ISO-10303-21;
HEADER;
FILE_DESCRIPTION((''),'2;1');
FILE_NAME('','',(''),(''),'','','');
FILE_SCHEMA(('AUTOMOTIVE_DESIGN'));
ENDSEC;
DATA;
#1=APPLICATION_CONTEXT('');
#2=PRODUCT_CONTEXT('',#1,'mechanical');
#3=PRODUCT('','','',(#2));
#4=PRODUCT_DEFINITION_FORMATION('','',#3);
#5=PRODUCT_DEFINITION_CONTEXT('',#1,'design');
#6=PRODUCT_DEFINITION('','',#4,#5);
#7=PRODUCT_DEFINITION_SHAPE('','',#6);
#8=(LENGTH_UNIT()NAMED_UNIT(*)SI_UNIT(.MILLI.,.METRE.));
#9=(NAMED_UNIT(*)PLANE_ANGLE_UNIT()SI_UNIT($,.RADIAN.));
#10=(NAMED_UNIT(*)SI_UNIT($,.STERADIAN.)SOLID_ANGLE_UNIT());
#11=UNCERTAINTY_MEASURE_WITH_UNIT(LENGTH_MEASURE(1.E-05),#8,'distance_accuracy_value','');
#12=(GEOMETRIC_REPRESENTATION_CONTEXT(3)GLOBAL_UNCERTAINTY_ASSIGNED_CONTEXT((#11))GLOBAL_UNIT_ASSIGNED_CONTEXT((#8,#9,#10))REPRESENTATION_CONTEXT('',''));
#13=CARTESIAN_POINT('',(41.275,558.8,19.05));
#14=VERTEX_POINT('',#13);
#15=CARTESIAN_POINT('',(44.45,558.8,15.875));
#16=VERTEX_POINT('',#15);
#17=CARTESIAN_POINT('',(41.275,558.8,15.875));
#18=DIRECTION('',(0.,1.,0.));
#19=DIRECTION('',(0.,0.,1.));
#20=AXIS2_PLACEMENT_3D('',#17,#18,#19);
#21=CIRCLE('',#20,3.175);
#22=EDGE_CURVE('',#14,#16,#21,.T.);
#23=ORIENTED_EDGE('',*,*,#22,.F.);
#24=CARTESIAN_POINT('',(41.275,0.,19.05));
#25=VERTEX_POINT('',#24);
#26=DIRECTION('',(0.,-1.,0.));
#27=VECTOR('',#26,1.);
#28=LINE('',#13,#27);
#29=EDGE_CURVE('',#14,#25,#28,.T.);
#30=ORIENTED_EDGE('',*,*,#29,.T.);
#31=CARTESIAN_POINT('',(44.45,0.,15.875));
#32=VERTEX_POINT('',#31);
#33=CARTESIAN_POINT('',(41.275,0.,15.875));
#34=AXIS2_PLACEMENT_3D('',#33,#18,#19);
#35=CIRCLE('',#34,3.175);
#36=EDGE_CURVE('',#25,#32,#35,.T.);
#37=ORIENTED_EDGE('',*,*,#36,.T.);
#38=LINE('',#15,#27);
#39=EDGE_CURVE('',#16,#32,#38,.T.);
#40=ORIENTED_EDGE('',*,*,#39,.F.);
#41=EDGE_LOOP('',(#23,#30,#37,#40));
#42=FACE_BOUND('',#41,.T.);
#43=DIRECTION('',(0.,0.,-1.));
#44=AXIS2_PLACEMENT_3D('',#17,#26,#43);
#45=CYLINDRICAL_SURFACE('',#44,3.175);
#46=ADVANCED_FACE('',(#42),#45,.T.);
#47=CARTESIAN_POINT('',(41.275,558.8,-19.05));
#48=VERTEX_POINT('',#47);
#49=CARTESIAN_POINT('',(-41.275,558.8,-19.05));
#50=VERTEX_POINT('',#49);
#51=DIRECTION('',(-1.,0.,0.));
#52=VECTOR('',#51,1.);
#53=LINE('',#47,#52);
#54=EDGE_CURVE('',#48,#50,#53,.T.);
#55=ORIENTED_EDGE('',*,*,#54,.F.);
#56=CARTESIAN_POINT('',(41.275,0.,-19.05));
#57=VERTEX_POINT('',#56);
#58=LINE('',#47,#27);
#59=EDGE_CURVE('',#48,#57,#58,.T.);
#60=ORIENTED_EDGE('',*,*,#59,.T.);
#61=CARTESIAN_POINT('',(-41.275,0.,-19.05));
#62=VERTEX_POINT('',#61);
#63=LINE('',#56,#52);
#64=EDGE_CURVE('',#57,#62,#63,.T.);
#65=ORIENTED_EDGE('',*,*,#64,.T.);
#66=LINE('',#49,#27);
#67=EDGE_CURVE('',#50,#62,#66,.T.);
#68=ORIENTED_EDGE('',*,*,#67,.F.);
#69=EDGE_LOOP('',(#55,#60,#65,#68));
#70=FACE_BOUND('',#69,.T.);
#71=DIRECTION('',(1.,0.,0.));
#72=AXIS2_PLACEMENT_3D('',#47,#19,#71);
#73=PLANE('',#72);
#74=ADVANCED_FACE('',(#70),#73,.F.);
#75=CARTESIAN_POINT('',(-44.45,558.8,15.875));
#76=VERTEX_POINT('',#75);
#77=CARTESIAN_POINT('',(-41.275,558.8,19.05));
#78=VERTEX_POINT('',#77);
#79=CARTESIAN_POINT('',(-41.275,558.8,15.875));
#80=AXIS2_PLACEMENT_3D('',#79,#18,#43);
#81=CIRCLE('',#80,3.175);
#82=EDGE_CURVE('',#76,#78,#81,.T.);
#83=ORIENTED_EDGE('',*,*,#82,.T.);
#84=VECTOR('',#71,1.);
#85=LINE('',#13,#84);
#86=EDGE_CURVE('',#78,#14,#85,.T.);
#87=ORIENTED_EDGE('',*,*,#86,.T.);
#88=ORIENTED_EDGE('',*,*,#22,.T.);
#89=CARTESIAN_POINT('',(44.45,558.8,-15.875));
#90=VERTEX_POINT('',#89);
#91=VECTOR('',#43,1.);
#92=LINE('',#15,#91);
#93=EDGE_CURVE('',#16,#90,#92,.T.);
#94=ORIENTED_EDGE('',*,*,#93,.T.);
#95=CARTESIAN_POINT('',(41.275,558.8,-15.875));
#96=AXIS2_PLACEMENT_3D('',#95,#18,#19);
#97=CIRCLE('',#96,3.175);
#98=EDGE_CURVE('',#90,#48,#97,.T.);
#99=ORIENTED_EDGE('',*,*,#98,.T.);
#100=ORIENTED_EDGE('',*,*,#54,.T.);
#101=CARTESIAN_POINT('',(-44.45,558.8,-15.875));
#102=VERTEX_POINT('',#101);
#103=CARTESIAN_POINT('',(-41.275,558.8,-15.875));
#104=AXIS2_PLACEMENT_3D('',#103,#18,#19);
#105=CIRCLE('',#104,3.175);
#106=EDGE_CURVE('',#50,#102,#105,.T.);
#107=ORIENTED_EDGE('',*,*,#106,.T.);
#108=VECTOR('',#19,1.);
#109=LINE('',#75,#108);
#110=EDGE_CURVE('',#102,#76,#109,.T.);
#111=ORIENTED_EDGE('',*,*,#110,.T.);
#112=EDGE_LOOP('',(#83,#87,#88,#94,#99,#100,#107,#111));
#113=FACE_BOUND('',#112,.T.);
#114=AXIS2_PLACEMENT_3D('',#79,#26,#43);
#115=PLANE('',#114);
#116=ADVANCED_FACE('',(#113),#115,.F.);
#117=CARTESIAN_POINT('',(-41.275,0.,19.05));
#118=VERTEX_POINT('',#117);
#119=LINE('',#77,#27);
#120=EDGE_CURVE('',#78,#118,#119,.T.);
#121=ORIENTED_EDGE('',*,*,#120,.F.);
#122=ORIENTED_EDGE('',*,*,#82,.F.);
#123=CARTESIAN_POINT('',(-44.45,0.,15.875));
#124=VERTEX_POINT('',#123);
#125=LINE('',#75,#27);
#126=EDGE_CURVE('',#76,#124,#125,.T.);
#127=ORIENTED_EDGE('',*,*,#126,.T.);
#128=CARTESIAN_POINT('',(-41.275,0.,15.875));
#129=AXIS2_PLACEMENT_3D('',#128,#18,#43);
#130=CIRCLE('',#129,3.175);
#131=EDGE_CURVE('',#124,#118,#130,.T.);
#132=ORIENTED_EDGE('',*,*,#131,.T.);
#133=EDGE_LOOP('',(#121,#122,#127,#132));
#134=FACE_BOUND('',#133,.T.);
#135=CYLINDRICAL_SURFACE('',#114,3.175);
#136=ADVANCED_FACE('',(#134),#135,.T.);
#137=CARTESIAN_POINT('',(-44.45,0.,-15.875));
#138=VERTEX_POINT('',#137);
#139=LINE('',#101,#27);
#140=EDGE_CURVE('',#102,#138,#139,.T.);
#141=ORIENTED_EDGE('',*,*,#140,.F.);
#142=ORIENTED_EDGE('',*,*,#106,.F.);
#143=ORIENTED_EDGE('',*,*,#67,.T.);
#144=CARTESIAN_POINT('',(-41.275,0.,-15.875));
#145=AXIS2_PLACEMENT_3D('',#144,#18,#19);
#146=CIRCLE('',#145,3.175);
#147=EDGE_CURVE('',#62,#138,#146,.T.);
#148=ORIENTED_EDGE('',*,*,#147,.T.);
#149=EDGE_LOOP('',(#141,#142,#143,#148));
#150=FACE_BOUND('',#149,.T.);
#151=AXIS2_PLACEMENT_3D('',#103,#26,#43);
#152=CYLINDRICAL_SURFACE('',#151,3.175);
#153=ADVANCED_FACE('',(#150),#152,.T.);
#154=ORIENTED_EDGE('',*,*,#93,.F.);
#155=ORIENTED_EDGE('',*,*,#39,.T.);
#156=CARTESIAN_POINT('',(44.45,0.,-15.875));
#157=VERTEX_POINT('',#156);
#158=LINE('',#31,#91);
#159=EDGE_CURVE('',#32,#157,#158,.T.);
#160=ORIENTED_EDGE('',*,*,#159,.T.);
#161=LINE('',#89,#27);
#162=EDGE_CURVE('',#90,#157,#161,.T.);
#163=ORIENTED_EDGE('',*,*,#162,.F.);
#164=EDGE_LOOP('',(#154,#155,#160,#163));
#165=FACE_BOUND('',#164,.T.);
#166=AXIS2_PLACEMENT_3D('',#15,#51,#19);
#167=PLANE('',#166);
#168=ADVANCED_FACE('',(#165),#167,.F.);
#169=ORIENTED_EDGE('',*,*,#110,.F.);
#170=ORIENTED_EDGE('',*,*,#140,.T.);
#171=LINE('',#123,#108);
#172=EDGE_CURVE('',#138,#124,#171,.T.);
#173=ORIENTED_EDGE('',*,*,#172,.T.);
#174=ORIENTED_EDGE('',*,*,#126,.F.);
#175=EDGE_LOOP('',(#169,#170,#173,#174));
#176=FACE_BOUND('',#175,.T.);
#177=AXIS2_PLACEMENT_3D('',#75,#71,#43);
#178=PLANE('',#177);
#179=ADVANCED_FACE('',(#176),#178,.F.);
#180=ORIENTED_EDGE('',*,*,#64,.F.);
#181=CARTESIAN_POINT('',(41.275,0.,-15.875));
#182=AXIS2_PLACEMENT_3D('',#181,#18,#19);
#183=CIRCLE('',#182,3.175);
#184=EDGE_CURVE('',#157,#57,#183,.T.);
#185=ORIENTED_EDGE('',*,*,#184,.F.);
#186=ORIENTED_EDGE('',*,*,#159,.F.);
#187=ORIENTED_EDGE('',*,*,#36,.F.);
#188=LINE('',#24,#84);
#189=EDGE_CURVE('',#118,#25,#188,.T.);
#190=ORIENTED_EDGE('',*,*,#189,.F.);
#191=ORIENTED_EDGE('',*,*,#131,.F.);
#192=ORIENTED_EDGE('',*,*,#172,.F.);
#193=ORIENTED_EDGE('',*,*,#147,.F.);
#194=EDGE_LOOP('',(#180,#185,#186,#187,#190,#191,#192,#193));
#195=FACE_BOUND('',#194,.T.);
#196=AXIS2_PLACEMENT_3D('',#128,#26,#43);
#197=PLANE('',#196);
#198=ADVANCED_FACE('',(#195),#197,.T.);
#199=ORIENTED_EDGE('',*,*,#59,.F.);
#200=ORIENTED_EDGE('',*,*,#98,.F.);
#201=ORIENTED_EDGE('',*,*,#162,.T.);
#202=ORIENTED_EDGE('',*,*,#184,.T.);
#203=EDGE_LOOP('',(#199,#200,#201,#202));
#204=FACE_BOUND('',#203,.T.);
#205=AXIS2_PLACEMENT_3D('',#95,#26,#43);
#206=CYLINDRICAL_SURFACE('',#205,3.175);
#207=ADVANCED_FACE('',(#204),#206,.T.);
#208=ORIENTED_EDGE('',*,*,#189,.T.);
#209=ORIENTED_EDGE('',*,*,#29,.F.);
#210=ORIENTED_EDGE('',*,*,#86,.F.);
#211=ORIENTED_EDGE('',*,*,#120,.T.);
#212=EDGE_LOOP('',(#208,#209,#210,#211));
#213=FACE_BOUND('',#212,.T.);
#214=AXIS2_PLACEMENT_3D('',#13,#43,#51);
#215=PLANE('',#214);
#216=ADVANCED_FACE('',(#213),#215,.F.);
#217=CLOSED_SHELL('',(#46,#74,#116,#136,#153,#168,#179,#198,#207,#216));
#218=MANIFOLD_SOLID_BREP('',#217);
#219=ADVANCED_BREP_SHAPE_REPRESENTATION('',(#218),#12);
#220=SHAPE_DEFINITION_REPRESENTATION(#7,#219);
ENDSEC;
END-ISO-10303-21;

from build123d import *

# Parameters (mm, degrees)
BOSS_EXTRUDE1_DEPTH = 558.8


with BuildPart() as part:
    # Sketch1 → Boss-Extrude1 (new body)
    with BuildSketch(Plane(origin=(0, 0, 0), x_dir=(1, 0, 0), z_dir=(0, 1, 0))):
        with BuildLine():
            Line((41.275, -19.05), (-41.275, -19.05))
            ThreePointArc((-41.275, -19.05), (-43.52006403, -18.12006403), (-44.45, -15.875))
            Line((-44.45, -15.875), (-44.45, 15.875))
            ThreePointArc((-44.45, 15.875), (-43.52006403, 18.12006403), (-41.275, 19.05))
            Line((-41.275, 19.05), (41.275, 19.05))
            ThreePointArc((41.275, 19.05), (43.52006403, 18.12006403), (44.45, 15.875))
            Line((44.45, 15.875), (44.45, -15.875))
            ThreePointArc((44.45, -15.875), (43.52006403, -18.12006403), (41.275, -19.05))
        make_face()
    extrude(amount=BOSS_EXTRUDE1_DEPTH)


solid = part.part
